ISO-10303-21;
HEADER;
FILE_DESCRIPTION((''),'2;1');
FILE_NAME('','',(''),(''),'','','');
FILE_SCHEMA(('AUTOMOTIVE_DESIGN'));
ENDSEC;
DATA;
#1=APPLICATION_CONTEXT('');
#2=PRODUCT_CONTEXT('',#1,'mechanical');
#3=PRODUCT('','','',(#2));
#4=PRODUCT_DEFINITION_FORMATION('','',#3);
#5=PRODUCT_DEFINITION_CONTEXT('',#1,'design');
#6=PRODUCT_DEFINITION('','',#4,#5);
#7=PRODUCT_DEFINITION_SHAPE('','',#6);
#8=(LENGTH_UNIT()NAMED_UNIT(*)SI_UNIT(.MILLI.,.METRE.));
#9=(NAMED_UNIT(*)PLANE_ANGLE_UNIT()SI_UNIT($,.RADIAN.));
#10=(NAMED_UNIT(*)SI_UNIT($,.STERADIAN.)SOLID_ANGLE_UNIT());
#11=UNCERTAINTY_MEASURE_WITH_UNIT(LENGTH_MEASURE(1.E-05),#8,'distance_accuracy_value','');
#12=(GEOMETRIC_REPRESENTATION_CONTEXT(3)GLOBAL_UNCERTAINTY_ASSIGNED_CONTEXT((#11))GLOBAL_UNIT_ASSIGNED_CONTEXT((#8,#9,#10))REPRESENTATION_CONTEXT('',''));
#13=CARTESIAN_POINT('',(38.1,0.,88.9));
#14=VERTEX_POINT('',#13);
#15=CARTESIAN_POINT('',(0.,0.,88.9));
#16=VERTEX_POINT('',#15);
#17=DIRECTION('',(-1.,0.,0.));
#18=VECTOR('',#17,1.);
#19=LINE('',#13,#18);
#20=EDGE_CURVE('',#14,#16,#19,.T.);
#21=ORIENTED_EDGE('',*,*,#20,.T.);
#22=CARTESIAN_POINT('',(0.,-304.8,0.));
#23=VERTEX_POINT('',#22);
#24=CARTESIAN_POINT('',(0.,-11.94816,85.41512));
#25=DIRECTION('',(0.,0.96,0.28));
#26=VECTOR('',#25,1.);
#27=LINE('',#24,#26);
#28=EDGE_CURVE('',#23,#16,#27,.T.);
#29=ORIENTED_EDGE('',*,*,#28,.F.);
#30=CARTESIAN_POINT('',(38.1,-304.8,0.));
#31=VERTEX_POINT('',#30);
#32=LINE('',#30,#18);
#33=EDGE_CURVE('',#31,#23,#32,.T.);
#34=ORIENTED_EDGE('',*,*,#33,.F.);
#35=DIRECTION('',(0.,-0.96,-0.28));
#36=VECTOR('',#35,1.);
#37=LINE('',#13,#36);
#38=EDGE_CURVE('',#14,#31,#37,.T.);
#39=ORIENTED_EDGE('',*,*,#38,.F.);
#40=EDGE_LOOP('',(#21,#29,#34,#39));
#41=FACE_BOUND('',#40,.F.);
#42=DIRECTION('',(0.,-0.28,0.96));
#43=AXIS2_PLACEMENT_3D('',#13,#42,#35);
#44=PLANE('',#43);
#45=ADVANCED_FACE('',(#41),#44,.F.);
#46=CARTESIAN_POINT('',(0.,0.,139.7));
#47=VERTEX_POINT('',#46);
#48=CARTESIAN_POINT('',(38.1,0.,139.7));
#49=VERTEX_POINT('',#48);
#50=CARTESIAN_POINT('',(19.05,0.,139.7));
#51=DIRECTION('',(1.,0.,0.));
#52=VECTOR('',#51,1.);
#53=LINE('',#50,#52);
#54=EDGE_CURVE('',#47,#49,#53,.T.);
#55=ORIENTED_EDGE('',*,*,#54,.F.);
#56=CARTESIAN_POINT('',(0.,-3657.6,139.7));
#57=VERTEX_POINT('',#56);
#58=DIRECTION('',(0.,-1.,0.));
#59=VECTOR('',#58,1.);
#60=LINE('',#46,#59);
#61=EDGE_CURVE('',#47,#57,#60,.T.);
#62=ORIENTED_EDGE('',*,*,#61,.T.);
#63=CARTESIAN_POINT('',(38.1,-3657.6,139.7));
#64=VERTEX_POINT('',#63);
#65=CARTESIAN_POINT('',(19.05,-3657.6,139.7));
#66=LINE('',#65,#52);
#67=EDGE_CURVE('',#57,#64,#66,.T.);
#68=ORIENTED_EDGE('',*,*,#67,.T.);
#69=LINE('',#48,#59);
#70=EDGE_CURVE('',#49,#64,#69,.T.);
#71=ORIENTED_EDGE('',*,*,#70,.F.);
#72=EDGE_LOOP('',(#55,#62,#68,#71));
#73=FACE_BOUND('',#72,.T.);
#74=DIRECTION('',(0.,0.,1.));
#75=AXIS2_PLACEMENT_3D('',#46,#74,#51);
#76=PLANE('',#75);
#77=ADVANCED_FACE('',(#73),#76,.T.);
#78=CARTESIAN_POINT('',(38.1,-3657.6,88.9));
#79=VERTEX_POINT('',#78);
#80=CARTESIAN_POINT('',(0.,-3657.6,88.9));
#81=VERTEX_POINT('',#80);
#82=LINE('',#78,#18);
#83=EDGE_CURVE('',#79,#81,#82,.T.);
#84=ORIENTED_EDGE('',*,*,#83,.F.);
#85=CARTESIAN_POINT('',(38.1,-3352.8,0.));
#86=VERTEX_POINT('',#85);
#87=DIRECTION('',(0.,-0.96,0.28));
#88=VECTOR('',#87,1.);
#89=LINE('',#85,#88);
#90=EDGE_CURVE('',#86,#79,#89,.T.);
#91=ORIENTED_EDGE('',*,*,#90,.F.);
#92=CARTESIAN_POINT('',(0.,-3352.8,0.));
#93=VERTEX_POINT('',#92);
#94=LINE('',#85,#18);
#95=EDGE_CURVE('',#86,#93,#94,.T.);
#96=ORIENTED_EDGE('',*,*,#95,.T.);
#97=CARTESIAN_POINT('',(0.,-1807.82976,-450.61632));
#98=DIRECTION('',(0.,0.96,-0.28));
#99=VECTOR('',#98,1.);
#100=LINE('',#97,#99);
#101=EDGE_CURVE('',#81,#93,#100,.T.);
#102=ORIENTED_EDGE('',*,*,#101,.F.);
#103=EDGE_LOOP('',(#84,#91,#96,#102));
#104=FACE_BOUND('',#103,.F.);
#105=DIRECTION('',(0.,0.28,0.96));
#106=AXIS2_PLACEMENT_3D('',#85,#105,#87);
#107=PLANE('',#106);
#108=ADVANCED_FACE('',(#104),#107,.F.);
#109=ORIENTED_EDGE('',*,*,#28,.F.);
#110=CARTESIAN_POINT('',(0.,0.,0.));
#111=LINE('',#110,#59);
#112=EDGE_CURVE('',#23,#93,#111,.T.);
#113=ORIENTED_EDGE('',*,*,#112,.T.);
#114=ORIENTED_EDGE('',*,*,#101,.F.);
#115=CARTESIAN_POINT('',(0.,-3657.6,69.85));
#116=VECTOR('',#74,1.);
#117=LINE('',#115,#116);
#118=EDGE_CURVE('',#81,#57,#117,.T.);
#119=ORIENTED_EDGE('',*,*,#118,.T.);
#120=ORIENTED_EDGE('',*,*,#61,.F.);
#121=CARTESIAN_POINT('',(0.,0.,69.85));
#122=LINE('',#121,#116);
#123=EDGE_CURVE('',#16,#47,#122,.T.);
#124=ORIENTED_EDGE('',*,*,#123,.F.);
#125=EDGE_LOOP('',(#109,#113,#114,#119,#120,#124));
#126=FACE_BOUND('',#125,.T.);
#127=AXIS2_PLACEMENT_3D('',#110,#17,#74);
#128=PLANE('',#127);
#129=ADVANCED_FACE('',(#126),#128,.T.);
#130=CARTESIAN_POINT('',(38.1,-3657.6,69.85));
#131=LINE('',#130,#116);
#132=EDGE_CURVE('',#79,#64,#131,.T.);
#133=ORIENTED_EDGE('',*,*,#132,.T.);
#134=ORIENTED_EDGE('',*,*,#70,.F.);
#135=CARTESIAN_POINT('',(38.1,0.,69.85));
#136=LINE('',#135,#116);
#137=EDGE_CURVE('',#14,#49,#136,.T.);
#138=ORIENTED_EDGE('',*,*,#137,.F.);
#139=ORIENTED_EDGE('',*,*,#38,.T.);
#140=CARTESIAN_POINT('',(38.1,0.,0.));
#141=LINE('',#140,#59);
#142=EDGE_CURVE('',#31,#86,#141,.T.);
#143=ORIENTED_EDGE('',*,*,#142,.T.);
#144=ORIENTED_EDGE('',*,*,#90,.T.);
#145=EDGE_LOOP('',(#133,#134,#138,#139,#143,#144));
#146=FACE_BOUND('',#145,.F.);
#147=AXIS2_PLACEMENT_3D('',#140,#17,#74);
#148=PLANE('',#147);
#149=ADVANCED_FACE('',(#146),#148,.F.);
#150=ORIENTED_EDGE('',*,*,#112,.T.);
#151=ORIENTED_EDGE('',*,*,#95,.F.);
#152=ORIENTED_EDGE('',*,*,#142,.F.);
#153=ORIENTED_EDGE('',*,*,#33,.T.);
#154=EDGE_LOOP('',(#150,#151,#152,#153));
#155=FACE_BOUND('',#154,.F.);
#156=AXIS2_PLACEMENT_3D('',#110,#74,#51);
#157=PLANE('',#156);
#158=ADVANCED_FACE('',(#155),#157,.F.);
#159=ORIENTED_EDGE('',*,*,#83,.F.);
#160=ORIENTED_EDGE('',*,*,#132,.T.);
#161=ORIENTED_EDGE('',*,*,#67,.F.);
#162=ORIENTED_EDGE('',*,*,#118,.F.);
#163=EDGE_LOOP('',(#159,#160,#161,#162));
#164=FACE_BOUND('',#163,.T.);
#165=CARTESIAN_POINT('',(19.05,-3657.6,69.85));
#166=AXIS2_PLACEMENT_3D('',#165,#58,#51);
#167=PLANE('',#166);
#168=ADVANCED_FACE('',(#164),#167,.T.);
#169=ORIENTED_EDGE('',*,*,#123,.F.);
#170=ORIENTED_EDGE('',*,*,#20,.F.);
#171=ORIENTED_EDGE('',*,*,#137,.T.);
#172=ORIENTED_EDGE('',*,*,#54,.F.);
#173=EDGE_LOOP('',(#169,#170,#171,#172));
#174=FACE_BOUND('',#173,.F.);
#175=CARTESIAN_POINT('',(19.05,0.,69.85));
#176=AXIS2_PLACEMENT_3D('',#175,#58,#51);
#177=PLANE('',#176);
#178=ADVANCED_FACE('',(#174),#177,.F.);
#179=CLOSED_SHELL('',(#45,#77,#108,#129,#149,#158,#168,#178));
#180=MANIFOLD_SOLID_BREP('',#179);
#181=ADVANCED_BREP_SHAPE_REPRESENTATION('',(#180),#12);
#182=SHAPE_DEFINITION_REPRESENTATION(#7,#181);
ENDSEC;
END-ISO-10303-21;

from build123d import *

# Parameters (mm, degrees)
F0_W     = 38.1
F0_H     = 139.7
F1_DEPTH = 3657.6
F3_DEPTH = 38.101


with BuildPart() as f1:
    # F0 (on Front) → F1 (new body)
    with BuildSketch(Plane.XZ):
        with Locations((19.05, 69.85)):
            Rectangle(F0_W, F0_H)
    extrude(amount=F1_DEPTH)

    # F2 (on face) → F3 (cut, through all)
    with BuildSketch(Plane.YZ.offset(38.1)):
        Polygon((-3657.6, 88.9), (-3657.6, 0), (-3352.8, 0), align=None)
        Polygon((0, 88.9), (-304.8, 0), (0, 0), align=None)
    extrude(amount=-F3_DEPTH, mode=Mode.SUBTRACT)


solid = f1.part
